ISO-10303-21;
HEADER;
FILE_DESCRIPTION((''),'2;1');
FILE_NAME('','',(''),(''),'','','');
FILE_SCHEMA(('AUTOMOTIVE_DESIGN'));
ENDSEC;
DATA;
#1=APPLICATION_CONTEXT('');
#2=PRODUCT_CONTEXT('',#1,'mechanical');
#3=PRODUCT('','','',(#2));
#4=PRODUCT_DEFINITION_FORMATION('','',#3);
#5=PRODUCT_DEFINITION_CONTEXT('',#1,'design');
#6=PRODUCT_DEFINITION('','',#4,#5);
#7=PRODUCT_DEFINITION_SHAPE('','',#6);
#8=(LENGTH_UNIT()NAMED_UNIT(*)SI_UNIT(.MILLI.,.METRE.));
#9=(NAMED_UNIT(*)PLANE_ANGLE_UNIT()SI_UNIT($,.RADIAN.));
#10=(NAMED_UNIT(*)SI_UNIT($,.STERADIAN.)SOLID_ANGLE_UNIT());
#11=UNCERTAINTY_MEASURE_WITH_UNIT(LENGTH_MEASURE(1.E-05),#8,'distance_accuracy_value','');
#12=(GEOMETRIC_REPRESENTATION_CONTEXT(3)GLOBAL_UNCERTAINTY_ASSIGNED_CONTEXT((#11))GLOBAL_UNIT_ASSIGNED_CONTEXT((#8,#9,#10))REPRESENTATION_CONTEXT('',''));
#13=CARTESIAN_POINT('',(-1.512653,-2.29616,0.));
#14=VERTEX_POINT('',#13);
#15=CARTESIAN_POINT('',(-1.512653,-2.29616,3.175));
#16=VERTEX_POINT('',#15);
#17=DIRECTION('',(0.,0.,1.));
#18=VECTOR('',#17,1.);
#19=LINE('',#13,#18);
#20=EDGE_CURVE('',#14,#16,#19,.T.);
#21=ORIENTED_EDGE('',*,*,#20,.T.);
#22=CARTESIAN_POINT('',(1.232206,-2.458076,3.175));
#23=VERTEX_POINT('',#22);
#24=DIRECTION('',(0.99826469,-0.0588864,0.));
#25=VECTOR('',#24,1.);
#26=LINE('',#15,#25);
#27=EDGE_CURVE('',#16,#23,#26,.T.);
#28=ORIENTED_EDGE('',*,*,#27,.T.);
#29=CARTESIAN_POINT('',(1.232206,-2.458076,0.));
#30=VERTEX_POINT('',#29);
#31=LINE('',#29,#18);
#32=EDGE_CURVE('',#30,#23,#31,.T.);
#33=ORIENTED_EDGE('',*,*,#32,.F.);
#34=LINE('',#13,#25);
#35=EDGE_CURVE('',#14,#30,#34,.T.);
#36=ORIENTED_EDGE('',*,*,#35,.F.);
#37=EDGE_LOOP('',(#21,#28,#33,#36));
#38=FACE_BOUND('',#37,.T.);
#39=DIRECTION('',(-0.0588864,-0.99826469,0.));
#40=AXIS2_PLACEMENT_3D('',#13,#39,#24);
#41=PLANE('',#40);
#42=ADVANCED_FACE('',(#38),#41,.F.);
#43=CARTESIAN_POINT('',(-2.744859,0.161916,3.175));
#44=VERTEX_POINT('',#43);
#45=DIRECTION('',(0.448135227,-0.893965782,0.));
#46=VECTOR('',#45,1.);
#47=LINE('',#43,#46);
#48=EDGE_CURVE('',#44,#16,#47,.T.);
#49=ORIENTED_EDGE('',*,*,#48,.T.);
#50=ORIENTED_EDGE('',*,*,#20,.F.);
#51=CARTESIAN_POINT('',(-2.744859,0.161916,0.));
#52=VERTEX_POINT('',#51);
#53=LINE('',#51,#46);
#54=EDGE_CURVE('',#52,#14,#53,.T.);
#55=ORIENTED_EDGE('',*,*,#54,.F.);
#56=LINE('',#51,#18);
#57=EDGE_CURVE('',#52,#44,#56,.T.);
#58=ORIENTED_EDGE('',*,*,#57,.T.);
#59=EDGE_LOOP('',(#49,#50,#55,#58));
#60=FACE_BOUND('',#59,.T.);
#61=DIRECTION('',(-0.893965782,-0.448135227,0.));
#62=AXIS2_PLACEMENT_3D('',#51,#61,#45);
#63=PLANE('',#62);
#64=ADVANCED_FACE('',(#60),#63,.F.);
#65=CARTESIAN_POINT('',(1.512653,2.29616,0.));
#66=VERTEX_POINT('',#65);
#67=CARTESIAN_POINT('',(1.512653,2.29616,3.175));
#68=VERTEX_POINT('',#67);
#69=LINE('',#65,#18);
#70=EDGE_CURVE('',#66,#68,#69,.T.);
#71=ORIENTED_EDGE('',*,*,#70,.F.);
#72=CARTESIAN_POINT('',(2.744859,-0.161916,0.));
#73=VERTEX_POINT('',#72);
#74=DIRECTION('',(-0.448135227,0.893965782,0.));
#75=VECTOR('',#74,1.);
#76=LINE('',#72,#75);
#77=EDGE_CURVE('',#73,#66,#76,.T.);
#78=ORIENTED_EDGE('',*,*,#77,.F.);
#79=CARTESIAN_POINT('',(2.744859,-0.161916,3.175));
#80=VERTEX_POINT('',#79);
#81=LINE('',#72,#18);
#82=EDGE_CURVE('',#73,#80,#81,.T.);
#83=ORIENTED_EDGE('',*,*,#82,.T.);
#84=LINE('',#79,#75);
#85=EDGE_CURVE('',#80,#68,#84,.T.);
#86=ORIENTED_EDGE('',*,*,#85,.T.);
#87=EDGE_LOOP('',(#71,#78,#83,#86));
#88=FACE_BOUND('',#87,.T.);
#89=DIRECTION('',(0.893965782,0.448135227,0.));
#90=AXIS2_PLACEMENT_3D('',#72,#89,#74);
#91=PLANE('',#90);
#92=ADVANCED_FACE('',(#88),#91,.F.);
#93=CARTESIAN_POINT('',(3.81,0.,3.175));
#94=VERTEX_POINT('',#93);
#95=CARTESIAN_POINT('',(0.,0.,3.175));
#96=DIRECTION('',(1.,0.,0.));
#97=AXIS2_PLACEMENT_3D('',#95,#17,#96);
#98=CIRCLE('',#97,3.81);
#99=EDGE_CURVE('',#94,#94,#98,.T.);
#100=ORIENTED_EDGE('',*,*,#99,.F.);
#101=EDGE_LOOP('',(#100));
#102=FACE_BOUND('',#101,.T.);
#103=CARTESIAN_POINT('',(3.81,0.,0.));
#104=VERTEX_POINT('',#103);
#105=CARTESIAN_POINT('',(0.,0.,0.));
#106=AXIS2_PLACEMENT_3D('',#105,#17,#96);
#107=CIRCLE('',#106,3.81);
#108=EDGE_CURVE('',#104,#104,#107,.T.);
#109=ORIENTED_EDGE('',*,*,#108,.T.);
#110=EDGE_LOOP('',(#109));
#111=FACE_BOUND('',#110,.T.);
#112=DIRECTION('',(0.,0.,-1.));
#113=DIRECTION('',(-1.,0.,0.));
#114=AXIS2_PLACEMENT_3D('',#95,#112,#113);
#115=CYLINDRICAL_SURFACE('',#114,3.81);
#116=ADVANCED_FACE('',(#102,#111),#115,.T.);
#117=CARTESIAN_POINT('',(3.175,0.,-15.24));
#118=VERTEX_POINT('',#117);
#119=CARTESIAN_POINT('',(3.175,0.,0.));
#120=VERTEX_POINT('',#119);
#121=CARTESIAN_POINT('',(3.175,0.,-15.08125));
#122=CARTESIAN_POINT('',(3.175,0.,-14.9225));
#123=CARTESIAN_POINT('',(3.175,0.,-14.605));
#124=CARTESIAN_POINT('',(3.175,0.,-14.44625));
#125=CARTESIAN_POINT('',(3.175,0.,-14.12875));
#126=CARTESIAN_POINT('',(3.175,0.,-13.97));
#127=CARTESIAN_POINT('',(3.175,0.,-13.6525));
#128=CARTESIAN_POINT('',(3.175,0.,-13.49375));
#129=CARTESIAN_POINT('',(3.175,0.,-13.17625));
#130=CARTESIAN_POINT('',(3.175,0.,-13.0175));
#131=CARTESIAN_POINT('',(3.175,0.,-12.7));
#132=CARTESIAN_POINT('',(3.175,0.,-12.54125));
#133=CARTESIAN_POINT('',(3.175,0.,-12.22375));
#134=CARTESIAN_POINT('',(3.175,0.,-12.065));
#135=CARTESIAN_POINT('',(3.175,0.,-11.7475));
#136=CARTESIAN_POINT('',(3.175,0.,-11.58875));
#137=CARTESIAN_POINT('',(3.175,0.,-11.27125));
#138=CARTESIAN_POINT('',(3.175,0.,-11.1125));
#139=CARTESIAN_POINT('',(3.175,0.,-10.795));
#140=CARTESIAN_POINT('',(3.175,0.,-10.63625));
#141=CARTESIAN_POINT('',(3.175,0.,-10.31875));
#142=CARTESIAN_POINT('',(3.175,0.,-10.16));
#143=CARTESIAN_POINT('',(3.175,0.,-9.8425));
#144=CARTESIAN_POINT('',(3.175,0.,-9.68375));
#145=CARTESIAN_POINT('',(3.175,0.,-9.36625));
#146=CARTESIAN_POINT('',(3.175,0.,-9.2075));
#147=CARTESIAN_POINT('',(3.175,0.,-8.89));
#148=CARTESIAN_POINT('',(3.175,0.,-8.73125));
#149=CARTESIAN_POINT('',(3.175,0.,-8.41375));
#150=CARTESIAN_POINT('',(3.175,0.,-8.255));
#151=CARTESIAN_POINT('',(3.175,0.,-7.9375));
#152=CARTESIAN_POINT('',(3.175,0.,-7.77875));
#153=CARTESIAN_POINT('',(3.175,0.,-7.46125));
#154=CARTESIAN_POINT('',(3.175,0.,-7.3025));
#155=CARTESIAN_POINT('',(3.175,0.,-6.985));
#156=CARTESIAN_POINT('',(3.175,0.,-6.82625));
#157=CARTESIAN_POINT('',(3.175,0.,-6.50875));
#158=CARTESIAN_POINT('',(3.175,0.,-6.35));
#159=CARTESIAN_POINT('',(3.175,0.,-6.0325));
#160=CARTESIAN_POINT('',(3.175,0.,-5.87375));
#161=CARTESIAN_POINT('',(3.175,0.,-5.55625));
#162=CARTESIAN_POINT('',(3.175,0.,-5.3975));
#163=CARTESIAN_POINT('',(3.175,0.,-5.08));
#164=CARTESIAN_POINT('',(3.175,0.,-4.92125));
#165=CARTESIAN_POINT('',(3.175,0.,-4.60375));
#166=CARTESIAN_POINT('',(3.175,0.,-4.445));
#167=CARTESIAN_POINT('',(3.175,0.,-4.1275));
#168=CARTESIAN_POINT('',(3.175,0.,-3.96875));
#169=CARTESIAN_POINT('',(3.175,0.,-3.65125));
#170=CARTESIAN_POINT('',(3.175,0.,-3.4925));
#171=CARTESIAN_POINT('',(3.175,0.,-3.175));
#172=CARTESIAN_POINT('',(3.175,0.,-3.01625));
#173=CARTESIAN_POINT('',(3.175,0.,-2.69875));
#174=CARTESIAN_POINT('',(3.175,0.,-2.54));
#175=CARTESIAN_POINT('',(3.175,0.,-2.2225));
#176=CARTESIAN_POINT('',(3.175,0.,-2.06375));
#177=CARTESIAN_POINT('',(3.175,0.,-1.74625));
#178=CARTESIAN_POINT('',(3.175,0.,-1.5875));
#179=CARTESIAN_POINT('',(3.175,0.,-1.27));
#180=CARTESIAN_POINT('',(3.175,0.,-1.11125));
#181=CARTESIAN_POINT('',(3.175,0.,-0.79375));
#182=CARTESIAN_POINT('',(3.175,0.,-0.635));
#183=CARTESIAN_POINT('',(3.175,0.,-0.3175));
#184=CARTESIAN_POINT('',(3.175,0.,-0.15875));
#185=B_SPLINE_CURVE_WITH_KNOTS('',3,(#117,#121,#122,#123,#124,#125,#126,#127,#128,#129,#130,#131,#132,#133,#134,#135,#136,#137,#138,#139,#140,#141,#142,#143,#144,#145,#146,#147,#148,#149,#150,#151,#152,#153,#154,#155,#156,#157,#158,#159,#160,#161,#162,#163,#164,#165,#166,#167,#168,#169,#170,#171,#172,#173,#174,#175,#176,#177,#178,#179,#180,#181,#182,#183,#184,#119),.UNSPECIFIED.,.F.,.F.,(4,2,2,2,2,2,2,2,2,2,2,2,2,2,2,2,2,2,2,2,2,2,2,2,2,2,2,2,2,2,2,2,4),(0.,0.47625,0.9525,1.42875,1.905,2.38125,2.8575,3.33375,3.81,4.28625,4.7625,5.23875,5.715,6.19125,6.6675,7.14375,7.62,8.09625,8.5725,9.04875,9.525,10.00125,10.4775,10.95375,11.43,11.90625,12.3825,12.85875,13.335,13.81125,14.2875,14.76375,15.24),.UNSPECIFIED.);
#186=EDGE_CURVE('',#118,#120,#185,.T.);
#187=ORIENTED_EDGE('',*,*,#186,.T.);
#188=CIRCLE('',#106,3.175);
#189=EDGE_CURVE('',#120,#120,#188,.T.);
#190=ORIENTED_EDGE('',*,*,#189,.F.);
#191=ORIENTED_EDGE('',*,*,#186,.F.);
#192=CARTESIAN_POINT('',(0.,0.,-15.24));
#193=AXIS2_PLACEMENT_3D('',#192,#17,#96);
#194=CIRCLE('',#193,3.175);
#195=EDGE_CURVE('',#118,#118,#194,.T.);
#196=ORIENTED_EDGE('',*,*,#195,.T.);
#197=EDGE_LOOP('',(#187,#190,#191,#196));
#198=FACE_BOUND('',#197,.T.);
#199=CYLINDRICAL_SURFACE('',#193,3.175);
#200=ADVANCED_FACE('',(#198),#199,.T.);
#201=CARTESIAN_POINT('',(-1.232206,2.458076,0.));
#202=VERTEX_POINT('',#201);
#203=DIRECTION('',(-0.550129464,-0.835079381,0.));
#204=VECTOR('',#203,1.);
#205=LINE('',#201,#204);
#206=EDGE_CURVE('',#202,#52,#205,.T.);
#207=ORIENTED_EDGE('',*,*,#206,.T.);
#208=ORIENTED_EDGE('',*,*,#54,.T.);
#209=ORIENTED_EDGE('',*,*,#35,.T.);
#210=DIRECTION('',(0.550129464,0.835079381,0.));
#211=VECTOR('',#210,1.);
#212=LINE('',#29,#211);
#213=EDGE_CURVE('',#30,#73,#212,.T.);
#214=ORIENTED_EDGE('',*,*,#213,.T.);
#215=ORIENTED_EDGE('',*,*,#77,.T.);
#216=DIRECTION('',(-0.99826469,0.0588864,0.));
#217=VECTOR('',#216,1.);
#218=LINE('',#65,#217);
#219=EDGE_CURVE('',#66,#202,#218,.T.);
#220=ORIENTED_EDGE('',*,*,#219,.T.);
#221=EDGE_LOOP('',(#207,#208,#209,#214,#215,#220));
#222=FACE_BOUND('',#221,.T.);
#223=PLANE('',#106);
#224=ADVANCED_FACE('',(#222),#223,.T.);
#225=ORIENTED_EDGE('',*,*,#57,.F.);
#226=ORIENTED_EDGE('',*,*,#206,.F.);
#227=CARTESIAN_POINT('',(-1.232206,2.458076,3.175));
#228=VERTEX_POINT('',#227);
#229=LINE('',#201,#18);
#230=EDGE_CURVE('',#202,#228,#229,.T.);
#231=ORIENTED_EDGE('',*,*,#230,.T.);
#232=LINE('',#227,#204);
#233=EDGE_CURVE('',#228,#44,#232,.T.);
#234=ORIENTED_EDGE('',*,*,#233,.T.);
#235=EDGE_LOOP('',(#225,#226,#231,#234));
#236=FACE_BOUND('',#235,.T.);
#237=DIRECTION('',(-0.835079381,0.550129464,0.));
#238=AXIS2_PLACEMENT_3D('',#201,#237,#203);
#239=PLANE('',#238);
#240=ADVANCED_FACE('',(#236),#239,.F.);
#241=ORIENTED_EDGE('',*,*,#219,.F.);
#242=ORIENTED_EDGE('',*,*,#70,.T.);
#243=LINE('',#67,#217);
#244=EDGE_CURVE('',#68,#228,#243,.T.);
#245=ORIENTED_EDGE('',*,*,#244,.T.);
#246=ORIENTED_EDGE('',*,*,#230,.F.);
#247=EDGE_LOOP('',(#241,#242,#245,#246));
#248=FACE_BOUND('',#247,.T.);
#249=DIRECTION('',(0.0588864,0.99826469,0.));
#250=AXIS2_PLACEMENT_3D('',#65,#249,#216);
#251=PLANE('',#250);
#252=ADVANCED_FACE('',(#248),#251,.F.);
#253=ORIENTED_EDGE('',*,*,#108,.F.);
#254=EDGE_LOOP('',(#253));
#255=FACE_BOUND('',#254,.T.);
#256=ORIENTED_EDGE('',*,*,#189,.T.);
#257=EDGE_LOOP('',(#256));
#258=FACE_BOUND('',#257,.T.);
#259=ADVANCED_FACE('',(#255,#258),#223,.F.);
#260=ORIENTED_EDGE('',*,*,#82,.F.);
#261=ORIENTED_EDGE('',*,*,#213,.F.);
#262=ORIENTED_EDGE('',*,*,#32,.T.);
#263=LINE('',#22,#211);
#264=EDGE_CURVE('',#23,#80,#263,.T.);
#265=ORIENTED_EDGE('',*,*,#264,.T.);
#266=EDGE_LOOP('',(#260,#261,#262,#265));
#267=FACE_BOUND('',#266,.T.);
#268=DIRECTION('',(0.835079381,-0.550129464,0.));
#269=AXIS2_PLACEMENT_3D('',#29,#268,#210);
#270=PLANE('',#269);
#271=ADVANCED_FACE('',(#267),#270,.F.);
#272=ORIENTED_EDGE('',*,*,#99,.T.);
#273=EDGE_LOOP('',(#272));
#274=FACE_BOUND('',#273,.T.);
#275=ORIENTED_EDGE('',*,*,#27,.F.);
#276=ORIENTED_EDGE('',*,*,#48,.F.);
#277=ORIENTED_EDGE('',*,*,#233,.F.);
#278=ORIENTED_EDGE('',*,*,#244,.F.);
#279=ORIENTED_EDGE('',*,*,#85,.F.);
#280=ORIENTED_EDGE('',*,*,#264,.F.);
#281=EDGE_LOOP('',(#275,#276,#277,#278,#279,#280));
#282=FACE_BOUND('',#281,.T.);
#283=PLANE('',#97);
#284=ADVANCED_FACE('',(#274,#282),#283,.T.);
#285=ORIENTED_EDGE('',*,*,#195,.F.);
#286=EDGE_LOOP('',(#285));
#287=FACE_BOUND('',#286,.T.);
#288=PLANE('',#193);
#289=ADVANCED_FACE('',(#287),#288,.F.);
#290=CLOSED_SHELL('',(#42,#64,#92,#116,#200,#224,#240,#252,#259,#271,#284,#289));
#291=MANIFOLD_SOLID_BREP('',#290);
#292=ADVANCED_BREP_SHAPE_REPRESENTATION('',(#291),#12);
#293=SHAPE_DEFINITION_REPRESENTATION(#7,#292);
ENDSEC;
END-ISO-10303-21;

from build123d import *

# Parameters (mm, degrees)
CROQUIS1_R              = 3.175
SALIENTE_EXTRUIR1_DEPTH = 15.24
CROQUIS2_R              = 3.81
SALIENTE_EXTRUIR2_DEPTH = 3.175
CORTAR_EXTRUIR1_DEPTH   = 3.175


with BuildPart() as part:
    # Croquis1 → Saliente-Extruir1 (new body)
    with BuildSketch(Plane.XY):
        Circle(CROQUIS1_R)
    extrude(amount=-SALIENTE_EXTRUIR1_DEPTH)

    # Croquis2 → Saliente-Extruir2 (add)
    with BuildSketch(Plane.XY):
        Circle(CROQUIS2_R)
    extrude(amount=SALIENTE_EXTRUIR2_DEPTH)

    # Croquis3 → Cortar-Extruir1 (cut)
    with BuildSketch(Plane.XY.offset(3.175)):
        Polygon((-2.744859196, 0.161915851), (-1.512652839, -2.296159868), (1.232206357, -2.458075719), (2.744859196, -0.161915851), (1.512652839, 2.296159868), (-1.232206357, 2.458075719), align=None)
    extrude(amount=-CORTAR_EXTRUIR1_DEPTH, mode=Mode.SUBTRACT)


solid = part.part
